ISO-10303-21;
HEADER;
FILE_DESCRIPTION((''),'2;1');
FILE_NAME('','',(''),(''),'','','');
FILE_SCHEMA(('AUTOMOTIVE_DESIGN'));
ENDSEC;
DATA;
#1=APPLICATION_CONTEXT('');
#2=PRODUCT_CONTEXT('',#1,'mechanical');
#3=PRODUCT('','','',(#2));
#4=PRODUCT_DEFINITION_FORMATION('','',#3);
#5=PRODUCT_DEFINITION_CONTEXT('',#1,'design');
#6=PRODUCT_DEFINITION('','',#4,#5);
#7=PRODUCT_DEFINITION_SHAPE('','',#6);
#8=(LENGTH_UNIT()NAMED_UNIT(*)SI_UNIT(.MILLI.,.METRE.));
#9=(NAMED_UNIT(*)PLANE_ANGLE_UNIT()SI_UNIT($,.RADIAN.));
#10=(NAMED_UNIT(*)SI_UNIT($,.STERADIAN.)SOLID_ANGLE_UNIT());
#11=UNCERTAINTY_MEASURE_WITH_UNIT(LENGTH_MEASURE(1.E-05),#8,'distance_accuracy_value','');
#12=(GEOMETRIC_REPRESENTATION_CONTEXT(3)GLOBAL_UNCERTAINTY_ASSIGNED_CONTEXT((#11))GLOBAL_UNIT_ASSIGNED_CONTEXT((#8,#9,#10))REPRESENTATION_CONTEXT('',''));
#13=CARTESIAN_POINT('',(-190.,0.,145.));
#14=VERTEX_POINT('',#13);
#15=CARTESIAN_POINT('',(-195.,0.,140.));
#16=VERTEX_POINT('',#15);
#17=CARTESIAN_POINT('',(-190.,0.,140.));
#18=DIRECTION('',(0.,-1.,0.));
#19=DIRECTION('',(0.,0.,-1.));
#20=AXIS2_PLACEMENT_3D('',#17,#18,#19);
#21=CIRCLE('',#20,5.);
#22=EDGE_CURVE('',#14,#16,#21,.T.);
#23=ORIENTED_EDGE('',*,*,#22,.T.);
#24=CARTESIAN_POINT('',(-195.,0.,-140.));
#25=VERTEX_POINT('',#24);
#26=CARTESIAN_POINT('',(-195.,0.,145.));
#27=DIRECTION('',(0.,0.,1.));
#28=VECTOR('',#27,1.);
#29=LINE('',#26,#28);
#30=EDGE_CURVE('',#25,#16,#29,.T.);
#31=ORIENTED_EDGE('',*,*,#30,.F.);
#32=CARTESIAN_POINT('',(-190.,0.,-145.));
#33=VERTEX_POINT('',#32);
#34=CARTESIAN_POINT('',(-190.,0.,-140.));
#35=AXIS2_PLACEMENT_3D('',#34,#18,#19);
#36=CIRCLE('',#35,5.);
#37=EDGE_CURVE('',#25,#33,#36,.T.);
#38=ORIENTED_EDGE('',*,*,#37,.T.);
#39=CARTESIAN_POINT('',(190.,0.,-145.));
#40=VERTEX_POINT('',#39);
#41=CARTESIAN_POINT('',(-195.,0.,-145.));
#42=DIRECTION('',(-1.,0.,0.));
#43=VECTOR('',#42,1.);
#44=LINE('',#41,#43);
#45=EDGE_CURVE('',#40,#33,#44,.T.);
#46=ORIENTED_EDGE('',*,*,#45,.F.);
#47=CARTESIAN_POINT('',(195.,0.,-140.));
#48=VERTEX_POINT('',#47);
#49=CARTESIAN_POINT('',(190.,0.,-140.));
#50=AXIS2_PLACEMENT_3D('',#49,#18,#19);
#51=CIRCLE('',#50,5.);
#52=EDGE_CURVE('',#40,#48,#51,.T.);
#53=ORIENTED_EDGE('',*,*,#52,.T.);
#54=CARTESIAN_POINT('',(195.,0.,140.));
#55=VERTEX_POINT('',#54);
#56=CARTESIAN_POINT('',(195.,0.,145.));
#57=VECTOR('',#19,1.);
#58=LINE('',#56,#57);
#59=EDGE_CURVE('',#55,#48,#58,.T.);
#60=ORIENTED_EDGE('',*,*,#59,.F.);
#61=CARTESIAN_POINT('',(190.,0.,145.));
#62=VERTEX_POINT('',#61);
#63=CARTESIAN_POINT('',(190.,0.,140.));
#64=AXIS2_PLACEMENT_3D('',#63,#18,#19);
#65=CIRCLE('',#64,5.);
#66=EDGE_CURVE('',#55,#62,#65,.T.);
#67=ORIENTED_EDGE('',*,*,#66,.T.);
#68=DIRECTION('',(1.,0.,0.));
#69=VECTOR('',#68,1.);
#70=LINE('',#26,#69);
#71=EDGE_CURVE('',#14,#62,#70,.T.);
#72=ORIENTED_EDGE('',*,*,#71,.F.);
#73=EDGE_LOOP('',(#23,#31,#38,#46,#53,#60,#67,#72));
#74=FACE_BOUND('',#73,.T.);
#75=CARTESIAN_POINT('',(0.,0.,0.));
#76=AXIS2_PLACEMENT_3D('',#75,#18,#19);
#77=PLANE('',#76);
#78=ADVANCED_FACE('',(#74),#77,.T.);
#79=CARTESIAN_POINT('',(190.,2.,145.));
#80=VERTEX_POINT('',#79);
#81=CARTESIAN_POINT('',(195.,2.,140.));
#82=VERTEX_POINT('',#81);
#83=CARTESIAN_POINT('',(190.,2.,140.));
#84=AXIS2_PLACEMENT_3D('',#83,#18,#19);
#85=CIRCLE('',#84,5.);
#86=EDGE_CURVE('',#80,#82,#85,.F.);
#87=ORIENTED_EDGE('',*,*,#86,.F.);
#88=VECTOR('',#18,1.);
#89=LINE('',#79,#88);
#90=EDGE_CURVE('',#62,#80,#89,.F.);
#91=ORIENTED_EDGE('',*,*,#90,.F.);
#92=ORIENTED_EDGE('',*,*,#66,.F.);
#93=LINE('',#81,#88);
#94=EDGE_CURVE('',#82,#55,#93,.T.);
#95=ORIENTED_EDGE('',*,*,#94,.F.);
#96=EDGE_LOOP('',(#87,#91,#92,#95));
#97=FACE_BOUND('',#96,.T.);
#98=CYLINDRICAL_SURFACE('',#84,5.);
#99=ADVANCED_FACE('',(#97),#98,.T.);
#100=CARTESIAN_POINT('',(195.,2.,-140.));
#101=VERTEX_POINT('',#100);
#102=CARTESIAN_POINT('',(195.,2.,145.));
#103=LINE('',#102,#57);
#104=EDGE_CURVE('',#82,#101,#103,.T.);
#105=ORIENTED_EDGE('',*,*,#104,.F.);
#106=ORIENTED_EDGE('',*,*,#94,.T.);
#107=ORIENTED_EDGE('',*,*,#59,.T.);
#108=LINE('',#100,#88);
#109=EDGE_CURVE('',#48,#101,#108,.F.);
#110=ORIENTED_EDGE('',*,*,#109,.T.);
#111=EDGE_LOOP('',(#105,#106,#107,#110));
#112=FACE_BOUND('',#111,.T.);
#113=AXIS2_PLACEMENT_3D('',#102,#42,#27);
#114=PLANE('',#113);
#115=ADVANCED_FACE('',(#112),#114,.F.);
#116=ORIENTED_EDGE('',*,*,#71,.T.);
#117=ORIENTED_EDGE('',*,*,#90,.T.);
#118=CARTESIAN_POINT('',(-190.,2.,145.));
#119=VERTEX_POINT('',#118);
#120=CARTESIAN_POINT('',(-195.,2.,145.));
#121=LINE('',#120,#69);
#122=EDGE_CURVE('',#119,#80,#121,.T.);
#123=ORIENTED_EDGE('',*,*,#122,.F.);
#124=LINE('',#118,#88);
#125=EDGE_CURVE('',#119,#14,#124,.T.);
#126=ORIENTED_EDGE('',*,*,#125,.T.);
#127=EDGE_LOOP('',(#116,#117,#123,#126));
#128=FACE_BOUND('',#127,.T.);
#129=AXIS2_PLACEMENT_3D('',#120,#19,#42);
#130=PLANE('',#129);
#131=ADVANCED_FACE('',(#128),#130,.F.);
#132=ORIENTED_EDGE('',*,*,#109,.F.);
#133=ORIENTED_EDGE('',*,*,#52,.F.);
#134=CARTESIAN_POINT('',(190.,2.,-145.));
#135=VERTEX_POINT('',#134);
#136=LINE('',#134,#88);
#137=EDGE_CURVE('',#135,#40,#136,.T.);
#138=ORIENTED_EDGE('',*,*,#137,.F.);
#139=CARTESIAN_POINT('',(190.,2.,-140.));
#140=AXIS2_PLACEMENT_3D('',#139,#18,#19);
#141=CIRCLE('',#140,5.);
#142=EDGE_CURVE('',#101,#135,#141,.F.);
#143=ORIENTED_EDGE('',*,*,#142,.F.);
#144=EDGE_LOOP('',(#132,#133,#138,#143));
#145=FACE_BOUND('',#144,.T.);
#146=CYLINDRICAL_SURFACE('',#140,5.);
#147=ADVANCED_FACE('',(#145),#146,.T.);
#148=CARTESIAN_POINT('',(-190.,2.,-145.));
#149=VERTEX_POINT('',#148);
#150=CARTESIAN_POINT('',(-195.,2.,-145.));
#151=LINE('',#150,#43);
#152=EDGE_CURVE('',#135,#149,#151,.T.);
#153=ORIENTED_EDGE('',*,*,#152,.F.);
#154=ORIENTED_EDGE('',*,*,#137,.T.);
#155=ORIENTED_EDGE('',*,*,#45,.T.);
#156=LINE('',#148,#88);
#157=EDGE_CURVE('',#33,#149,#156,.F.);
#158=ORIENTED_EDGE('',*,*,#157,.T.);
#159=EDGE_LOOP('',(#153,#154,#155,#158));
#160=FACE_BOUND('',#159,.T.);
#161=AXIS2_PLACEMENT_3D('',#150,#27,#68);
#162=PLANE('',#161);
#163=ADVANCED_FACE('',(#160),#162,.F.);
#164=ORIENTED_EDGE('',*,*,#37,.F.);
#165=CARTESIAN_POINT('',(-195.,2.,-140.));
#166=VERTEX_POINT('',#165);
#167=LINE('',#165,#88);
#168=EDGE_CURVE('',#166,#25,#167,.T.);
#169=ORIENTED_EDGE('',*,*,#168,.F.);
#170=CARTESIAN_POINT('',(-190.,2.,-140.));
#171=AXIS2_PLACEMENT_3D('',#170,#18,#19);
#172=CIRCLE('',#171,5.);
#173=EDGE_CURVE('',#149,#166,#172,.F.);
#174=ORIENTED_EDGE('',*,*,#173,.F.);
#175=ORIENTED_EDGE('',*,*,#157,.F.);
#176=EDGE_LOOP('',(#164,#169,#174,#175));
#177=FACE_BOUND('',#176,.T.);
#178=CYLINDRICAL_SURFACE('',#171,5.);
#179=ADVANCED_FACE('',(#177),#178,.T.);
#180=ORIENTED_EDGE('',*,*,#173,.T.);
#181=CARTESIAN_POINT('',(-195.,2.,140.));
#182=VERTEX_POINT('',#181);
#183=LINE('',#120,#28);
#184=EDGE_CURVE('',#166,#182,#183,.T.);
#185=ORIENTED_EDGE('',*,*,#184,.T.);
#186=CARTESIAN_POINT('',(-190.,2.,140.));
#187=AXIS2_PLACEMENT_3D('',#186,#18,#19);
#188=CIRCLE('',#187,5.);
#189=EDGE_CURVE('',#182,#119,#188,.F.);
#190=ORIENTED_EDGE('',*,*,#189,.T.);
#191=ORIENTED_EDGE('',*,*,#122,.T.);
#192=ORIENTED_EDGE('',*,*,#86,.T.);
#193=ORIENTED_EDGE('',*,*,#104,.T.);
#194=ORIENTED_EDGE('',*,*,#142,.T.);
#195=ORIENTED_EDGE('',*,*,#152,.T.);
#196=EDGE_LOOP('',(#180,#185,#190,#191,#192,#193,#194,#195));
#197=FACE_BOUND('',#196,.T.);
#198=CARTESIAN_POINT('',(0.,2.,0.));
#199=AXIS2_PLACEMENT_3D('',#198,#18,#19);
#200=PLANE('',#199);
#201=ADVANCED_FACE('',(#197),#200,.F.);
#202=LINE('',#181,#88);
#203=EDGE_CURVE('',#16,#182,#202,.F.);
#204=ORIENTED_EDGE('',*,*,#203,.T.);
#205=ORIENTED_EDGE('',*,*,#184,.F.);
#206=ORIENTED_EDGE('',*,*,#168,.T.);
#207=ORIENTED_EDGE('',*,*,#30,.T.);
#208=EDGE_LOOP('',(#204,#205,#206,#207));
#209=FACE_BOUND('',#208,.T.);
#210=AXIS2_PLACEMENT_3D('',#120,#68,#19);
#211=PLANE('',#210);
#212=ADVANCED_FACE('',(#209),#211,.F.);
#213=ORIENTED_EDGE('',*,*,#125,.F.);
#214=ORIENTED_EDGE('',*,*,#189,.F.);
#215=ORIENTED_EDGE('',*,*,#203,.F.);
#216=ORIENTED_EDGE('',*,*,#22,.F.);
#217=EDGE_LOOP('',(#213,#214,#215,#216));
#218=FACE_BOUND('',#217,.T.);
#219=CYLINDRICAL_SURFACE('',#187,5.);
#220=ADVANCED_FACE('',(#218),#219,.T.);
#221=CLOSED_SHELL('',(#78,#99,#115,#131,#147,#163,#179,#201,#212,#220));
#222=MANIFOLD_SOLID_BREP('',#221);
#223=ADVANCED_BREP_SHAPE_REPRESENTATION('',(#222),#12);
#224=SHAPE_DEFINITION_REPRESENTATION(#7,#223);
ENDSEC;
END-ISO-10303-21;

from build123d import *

# Parameters (mm, degrees)
SKETCH_1_W      = 390
SKETCH_1_H      = 290
EXTRUDE_1_DEPTH = 2
FILLET_1_R      = 5


with BuildPart() as part:
    # 스케치1 → 보스-돌출1 (new body)
    with BuildSketch(Plane(origin=(0, 0, 0), x_dir=(1, 0, 0), z_dir=(0, 1, 0))):
        Rectangle(SKETCH_1_W, SKETCH_1_H)
    extrude(amount=EXTRUDE_1_DEPTH)

    # 필렛1
    fillet_1_edges = [part.edges().sort_by_distance(p)[0] for p in [
        (195, 1, 145),
        (-195, 1, 145),
        (-195, 1, -145),
        (195, 1, -145),
    ]]
    fillet(fillet_1_edges, radius=FILLET_1_R)


solid = part.part
